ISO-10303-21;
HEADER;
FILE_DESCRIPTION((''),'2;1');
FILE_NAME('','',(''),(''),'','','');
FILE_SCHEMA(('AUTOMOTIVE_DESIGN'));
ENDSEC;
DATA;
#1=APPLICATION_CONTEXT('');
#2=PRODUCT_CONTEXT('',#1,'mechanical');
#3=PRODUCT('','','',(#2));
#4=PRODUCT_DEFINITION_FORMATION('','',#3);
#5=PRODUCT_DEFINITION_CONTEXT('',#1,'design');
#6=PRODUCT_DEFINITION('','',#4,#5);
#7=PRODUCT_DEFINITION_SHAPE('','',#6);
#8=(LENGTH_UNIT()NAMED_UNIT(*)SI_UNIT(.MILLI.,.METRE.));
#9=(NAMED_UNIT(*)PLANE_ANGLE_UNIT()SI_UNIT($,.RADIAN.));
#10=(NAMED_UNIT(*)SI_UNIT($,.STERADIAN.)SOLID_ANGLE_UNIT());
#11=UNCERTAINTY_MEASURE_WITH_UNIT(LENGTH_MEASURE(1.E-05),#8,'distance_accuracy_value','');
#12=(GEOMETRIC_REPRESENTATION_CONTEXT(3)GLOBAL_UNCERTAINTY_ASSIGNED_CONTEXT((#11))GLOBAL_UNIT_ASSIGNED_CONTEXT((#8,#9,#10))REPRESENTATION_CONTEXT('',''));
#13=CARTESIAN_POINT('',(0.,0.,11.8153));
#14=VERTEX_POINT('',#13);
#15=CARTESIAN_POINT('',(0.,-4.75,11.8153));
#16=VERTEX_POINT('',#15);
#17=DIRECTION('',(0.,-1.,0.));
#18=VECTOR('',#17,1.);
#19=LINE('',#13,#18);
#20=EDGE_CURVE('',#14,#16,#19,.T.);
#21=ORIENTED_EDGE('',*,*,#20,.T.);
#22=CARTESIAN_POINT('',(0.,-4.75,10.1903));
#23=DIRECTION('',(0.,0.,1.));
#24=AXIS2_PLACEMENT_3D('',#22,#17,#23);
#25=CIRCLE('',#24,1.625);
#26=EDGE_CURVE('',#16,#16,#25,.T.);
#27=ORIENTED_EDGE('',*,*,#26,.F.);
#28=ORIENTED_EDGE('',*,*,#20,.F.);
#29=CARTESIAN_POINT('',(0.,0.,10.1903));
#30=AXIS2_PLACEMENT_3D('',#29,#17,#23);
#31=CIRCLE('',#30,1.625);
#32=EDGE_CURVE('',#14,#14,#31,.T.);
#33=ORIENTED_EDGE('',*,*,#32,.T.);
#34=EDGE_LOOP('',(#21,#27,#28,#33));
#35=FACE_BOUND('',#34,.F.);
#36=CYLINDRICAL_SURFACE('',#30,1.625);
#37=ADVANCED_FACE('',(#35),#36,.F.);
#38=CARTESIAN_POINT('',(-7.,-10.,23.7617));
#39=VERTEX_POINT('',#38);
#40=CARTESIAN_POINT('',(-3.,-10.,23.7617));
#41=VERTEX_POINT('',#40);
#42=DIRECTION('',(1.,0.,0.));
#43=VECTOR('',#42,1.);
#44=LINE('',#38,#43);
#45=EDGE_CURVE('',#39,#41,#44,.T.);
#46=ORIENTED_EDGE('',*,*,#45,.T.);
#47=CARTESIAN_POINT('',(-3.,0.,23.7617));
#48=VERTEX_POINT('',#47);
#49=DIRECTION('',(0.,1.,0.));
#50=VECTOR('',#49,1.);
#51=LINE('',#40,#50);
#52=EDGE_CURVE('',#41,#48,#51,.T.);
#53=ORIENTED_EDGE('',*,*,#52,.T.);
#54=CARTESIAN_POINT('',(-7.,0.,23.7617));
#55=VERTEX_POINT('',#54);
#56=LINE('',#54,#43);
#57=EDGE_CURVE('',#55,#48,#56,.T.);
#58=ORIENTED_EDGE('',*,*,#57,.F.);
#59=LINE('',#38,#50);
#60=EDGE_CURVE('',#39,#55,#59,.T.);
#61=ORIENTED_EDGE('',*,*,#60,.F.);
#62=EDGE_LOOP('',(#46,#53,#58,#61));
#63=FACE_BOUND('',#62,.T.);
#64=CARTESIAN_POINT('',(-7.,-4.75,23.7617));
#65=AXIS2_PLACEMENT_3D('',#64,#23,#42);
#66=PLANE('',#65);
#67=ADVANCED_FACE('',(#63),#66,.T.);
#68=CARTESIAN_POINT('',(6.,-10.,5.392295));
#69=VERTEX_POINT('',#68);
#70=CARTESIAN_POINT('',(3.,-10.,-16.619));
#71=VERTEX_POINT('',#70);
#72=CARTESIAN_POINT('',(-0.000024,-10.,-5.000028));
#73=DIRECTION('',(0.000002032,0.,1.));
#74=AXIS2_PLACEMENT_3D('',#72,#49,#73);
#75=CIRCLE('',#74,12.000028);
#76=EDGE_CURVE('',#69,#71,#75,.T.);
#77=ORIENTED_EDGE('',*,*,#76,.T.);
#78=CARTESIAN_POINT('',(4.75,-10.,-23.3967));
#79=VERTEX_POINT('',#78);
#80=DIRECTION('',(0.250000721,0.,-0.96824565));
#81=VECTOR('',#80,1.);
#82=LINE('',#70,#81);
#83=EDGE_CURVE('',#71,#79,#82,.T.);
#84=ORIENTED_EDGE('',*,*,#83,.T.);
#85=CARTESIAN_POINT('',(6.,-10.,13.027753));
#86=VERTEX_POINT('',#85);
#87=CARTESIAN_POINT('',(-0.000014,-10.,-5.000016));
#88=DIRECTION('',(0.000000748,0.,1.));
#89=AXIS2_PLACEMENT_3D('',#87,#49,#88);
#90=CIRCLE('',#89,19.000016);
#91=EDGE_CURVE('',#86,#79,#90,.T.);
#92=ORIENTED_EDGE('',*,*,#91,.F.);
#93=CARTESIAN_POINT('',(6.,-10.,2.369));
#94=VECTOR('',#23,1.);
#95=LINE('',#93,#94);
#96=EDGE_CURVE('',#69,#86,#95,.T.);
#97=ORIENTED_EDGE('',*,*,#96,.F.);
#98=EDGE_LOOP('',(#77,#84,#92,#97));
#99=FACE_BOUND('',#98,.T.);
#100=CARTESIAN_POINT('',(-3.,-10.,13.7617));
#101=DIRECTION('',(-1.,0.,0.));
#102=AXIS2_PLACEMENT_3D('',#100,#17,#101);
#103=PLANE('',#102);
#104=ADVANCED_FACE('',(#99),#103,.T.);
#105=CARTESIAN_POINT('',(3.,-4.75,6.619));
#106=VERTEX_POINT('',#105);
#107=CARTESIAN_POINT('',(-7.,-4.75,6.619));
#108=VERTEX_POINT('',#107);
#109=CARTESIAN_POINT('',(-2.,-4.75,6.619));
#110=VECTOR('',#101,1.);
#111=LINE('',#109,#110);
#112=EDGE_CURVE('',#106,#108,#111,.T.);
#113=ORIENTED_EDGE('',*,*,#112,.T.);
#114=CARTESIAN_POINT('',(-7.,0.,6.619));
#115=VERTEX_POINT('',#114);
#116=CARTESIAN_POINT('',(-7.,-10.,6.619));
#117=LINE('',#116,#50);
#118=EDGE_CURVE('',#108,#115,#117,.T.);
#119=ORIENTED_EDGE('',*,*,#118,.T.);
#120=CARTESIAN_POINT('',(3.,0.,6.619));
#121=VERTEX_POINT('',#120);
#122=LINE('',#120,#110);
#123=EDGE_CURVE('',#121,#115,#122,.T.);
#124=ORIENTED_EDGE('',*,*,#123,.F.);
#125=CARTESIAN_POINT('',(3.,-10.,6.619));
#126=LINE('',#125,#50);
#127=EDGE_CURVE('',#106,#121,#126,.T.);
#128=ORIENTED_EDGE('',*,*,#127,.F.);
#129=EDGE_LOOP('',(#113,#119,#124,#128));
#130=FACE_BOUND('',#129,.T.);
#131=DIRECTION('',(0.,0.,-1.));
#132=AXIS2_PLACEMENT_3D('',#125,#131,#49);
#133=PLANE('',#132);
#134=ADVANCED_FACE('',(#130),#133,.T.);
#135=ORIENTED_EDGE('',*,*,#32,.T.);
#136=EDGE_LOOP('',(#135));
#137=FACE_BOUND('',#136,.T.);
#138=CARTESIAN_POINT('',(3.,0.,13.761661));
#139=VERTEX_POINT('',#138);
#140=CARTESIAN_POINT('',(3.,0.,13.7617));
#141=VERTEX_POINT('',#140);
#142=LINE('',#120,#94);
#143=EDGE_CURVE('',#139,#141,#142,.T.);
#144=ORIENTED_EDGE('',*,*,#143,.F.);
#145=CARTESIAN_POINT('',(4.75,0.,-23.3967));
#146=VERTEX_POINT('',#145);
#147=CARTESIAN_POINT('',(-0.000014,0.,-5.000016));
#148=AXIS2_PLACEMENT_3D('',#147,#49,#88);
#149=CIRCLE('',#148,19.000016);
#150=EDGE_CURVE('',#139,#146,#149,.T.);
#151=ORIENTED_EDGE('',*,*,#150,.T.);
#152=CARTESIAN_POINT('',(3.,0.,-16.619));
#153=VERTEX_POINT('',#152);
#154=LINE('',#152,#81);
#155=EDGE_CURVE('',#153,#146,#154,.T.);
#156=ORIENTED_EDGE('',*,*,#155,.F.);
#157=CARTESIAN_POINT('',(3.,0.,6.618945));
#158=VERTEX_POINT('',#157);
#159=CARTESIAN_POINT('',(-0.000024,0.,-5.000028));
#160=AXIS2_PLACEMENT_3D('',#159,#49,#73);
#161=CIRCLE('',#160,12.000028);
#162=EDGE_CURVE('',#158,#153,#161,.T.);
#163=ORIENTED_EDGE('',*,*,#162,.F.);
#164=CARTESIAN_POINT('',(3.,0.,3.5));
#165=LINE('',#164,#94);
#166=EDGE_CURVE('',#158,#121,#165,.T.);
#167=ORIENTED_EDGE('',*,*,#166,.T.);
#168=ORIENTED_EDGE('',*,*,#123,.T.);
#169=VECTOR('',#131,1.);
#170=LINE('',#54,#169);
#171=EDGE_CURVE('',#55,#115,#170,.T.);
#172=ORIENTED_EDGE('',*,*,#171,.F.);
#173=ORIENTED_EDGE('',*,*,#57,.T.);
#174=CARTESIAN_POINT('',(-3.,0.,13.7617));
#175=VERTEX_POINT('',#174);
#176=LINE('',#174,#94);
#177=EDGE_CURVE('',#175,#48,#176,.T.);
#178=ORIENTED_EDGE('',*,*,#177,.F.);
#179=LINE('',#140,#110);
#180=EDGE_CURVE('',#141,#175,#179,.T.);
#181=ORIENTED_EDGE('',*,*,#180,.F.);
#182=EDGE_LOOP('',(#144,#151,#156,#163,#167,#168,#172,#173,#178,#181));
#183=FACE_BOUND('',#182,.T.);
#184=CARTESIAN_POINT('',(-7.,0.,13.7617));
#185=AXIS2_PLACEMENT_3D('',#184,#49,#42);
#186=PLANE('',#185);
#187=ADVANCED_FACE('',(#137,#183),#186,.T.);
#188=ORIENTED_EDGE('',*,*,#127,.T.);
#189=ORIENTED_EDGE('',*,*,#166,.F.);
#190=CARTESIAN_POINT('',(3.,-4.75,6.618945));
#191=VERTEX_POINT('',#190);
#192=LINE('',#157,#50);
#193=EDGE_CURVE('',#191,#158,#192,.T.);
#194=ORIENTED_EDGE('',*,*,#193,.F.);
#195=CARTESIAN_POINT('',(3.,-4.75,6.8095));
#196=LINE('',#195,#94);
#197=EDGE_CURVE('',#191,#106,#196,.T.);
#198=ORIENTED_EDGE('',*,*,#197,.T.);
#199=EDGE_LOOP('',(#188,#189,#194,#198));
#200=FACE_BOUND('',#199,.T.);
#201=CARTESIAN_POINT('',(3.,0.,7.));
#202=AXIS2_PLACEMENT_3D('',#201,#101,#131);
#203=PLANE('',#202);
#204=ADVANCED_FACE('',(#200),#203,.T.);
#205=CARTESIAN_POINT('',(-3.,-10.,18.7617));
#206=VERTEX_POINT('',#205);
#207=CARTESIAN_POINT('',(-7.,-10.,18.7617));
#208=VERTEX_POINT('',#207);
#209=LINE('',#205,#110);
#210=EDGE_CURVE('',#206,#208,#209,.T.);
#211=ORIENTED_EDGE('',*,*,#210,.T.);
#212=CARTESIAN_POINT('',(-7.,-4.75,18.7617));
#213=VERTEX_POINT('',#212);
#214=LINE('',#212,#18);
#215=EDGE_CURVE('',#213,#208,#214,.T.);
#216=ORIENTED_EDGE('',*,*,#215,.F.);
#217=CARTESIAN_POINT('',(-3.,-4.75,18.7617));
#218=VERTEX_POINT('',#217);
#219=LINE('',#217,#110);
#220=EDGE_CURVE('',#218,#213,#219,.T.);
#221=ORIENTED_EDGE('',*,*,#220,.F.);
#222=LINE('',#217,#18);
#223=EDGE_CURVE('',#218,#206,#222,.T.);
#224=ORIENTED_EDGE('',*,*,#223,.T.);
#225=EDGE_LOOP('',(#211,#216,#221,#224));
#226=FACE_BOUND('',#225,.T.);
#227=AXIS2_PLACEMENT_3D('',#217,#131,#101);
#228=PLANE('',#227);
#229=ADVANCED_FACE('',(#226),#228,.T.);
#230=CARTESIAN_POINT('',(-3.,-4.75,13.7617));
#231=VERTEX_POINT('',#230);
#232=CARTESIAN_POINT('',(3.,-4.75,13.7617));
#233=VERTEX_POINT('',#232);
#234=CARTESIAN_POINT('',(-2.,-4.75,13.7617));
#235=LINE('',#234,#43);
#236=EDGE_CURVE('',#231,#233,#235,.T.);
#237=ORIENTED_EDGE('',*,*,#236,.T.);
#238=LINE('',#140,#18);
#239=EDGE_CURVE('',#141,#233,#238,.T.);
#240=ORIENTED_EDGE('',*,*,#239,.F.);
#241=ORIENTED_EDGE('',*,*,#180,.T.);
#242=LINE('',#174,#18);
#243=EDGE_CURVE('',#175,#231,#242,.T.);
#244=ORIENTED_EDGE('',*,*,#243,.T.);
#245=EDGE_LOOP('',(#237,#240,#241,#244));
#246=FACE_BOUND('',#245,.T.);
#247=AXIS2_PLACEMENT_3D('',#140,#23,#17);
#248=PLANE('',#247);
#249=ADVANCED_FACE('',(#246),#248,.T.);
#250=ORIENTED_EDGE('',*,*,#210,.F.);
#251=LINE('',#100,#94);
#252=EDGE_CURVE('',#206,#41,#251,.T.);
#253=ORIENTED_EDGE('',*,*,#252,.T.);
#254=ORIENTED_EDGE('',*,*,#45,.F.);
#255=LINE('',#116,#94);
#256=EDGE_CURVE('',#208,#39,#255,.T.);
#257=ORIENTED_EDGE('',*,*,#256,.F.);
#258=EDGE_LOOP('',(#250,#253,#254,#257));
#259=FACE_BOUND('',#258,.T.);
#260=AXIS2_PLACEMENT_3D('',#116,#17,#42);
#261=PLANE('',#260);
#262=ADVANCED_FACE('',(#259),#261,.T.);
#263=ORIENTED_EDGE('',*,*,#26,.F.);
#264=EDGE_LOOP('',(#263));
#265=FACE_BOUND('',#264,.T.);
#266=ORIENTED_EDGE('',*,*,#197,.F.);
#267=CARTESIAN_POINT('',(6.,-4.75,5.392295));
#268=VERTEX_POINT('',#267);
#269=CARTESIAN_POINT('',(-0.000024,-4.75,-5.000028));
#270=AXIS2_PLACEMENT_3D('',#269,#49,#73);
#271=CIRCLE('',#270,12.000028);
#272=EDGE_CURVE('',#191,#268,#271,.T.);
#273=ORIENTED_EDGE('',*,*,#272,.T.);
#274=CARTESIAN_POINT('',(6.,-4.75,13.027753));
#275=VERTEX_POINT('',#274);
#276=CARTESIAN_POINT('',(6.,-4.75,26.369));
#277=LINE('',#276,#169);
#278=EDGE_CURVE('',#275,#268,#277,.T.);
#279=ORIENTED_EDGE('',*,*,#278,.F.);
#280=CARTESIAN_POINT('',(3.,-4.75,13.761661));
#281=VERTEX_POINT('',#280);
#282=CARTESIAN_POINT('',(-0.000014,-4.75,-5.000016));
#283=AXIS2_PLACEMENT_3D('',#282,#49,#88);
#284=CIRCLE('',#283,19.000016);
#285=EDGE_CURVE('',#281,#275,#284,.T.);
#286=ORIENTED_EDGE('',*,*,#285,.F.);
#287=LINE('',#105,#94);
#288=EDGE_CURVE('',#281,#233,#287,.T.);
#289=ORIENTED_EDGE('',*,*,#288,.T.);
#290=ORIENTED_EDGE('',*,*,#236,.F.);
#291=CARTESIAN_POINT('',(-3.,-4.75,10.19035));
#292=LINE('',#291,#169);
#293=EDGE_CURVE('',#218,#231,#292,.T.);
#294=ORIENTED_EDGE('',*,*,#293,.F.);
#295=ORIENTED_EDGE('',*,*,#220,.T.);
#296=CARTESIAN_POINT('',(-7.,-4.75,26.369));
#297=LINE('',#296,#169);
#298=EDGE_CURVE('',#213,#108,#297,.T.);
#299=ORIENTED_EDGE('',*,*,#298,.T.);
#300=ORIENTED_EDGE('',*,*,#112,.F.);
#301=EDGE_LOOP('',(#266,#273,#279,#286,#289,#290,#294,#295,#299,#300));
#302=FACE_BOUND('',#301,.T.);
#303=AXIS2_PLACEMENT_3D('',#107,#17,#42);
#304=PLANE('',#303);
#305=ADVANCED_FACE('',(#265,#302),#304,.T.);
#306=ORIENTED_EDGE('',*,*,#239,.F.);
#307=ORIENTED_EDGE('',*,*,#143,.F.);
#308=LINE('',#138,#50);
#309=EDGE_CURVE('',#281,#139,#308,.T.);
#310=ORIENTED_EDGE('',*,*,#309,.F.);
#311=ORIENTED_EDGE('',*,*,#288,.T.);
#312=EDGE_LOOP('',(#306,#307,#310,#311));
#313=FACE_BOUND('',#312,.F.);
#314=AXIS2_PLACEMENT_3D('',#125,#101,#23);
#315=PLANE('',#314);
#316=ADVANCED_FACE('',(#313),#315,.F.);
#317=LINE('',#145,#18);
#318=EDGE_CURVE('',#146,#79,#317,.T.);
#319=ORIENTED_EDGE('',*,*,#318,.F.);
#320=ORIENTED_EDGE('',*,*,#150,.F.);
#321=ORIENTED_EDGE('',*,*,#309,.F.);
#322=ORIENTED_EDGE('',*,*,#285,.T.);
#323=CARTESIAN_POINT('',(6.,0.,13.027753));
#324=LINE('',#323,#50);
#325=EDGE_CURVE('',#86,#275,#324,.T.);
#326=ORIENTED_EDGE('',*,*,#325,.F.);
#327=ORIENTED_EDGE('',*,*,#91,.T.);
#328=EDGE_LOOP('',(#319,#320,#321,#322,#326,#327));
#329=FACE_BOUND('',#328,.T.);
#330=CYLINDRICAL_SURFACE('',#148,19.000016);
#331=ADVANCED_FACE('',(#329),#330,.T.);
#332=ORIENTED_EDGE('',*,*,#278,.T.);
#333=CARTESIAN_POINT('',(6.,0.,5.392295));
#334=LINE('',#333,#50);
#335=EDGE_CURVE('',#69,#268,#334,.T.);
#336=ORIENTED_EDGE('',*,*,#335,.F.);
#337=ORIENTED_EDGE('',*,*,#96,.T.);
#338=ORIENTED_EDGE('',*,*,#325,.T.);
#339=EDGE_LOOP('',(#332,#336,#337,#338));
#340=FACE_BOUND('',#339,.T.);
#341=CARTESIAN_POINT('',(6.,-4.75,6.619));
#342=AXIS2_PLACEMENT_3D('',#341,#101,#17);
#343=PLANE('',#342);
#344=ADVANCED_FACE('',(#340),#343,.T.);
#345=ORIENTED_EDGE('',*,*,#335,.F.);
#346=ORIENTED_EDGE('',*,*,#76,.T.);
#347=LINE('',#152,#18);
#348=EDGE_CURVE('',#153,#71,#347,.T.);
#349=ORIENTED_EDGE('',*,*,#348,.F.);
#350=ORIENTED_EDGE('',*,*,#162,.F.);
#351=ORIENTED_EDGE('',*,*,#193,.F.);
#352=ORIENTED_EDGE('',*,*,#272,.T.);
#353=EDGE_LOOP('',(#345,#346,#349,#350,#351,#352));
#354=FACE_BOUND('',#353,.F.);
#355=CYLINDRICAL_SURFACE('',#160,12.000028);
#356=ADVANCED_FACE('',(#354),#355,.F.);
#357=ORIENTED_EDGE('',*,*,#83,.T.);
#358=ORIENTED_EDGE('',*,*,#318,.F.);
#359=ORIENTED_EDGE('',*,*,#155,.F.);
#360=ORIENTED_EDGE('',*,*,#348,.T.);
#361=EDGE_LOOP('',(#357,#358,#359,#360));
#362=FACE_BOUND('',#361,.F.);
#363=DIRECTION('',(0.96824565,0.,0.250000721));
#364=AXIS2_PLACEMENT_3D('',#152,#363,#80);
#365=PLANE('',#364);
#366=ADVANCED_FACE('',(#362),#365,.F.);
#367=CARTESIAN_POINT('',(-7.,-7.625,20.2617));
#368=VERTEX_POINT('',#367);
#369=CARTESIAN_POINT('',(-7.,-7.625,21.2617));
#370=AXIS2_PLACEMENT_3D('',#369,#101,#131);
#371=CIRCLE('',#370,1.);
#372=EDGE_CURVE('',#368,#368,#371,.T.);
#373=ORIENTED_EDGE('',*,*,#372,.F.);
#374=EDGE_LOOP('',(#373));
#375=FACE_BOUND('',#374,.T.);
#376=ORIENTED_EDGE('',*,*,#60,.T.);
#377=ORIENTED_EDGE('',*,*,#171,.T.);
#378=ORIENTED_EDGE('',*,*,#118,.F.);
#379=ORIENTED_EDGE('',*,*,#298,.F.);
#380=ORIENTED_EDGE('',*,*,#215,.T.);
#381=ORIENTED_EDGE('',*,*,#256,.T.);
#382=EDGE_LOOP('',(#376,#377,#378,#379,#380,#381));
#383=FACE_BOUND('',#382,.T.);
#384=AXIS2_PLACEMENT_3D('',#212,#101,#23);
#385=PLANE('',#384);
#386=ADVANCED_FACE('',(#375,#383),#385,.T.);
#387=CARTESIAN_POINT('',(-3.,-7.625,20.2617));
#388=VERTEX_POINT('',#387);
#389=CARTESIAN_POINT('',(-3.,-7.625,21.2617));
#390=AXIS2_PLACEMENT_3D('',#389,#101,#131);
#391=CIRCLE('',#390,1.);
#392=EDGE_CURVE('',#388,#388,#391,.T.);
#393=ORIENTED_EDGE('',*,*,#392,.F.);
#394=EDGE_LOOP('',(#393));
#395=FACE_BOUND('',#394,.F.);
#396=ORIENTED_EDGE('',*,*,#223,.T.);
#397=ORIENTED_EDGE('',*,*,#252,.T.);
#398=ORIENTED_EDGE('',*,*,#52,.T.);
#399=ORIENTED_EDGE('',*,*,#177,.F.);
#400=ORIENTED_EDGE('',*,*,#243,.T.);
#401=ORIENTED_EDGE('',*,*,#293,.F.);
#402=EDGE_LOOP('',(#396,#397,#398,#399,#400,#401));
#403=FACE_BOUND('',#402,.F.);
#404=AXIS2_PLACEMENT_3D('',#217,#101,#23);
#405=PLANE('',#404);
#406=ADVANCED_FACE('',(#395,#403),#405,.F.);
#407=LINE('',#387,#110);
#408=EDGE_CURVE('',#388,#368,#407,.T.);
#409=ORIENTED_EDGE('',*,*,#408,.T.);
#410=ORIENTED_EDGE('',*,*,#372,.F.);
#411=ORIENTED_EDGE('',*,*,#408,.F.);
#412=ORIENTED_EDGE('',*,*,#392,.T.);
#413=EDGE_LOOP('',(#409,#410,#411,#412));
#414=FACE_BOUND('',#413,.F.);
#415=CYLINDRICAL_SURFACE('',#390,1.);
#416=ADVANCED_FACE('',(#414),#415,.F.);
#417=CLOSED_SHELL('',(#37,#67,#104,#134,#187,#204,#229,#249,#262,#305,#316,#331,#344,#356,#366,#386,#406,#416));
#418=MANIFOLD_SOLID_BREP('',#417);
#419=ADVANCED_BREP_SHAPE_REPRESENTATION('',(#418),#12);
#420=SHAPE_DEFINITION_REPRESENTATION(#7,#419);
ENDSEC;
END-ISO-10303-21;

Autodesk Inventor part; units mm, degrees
ref_plane "YZ Plane" through (0, 0, 0) normal (1, 0, 0) x (0, 1, 0)
ref_plane "XZ Plane" through (0, 0, 0) normal (0, 1, 0) x (-1, 0, 0)
sketch "clawBase" plane through (0, 0, 0) normal (0, 1, 0) x (-1, 0, 0)
  line L0 (-3, -16.619) -> (0, -5)
  line L1 (0, -5) -> (0, 7)
  arc A0 (0, 7) -> (-3, -16.619) centre (0, -5) ccw
  arc A1 (0, 14) -> (-4.75, -23.3967) centre (0, -5) ccw
  line L2 (-3, -16.619) -> (-4.75, -23.3967)
  line L3 (0, 7) -> (0, 14)
  line L4 (0, 0) -> (0, 12)
  dimension "d3" = 12
  dimension "d5" = 7
  dimension "d6" = 0
  dimension "d7" = 5
  dimension "d8" = 3
  dimension "d11" = 12
  dimension "d12" = 0
extrude "clamp" add sketch "clawBase" against normal blind 10 contours L2 A1 L3 A0
ref_plane "reduction" through (3, 0, 7) normal (-1, 0, 0) x (0, 0, 1)
split "reductionSplit" plane through (3, 0, 7) removes the side toward (-1, 0, 0)
sketch "Sketch7" plane through (3, -10, 6.619) normal (-1, 0, 0) x (0, 0, 1)
  line L0 (0, 0) -> (0, 10) projected
  line L1 (7.1427, 0) -> (0, 0) projected
  line L2 (7.1427, 10) -> (7.1427, 0) projected
  line L3 (0, 10) -> (7.1427, 10) projected
  point P0 (-6.619, 10)
extrude "arm_c" add sketch "Sketch7" along normal blind 10
sketch "Sketch8" plane through (-7, 0, 13.7617) normal (0, 0, 1) x (1, 0, 0)
  line L0 (10, -10) -> (0, -10) projected
  line L1 (0, 0) -> (4, 0)
  line L2 (4, 0) -> (4, -10)
  line L3 (4, -10) -> (0, -10)
  line L4 (0, -10) -> (0, 0)
  point P0 (7, 0)
  dimension "d35" = 4
extrude "arb_b" add sketch "Sketch8" along normal blind 10
sketch "Sketch9" plane through (0, 0, 0) normal (0, 1, 0) x (1, 0, 0)
  line L0 (3, -6.619) -> (-7, -6.619) projected
  line L1 (3, -13.7617) -> (-3, -13.7617) projected
  point P0 (0, 0)
  point P1 (0, -10.1903)
  dimension "d39" = 7.1427
  dimension "d41" = 0
  dimension "d42" = 3.5714
hole "pinHole" at (0, 0, 10.1903) direction (0, -1, 0) diameter 3.25 end through all
sketch "Sketch10" plane through (3, -10, 6.619) normal (0, 0, -1) x (-1, 0, 0)
  line L0 (10, 10) -> (10, 0) projected
  line L1 (-3, 0) -> (10, 0)
  line L2 (10, 0) -> (10, 5.25)
  line L3 (10, 5.25) -> (-3, 5.25)
  line L4 (-3, 5.25) -> (-3, 0)
  line L5 (0, 10) -> (0, 0) projected
  line L6 (0, 0) -> (6, 0) projected
  point P0 (3, 10)
  point P1 (10, 0)
  dimension "d50" = 5.25
  dimension "d64" = 3
  dimension "d65" = 0
extrude "halfcut" cut sketch "Sketch10" along normal blind 4.25 and the other way blind 19.75
sketch "Sketch12" plane through (-7, -4.75, 6.619) normal (0, -1, 0) x (1, 0, 0)
  line L0 (0, 0) -> (0, 17.1427) projected
  line L1 (4, 7.1427) -> (4, 17.1427) projected
  line L2 (0, 17.1427) -> (4, 17.1427)
  line L3 (4, 17.1427) -> (4, 12.1427)
  line L4 (4, 12.1427) -> (0, 12.1427)
  line L5 (0, 12.1427) -> (0, 17.1427)
  line L6 (4, 7.1427) -> (10, 7.1427) projected
  point P0 (7, -6.619)
  point P1 (0, 12.1427)
  dimension "d68" = 5
extrude "Extrusion6" add sketch "Sketch12" along normal up to surface (5.25 mm away)
sketch "Sketch11" plane through (-3, 0, 23.7617) normal (1, 0, 0) x (0, 0, -1)
  line L0 (0, -10) -> (0, 0) projected
  line L1 (5, -10) -> (0, -10) projected
  point P0 (23.7617, 0)
  point P1 (2.5, -7.625)
  dimension "d71" = 2.5
  dimension "d72" = 2.375
hole "cableHole" at (-3, -7.625, 21.2617) direction (-1, 0, 0) diameter 2 end through all
equation "\"d3\" = r"
equation "\"d5\" = t"
equation "\"d8\" = 0.5 * a1"
equation "\"d11\" = r"
equation "\"d42\" = 0.5 * d39"
equation "\"d43\" = dpin"
equation "\"d57\" = dcable"
equation "\"r\" = 12"
equation "\"t\" = 7"
equation "\"a1\" = 6"
equation "\"fillet\" = 0.5"
equation "\"d14\" = -0.5 * a2"
equation "\"dpin\" = 3.25"
equation "\"tpinhole\" = t - dpin"
equation "\"linkb\" = d36 + 0.5 * t - d56"
equation "\"dcable\" = 2"
equation "\"a2\" = 6"
equation "\"d36\" = 10"
equation "\"d56\" = 2.137935"
properties part number "holder2_base" material "Steel, Mild"
